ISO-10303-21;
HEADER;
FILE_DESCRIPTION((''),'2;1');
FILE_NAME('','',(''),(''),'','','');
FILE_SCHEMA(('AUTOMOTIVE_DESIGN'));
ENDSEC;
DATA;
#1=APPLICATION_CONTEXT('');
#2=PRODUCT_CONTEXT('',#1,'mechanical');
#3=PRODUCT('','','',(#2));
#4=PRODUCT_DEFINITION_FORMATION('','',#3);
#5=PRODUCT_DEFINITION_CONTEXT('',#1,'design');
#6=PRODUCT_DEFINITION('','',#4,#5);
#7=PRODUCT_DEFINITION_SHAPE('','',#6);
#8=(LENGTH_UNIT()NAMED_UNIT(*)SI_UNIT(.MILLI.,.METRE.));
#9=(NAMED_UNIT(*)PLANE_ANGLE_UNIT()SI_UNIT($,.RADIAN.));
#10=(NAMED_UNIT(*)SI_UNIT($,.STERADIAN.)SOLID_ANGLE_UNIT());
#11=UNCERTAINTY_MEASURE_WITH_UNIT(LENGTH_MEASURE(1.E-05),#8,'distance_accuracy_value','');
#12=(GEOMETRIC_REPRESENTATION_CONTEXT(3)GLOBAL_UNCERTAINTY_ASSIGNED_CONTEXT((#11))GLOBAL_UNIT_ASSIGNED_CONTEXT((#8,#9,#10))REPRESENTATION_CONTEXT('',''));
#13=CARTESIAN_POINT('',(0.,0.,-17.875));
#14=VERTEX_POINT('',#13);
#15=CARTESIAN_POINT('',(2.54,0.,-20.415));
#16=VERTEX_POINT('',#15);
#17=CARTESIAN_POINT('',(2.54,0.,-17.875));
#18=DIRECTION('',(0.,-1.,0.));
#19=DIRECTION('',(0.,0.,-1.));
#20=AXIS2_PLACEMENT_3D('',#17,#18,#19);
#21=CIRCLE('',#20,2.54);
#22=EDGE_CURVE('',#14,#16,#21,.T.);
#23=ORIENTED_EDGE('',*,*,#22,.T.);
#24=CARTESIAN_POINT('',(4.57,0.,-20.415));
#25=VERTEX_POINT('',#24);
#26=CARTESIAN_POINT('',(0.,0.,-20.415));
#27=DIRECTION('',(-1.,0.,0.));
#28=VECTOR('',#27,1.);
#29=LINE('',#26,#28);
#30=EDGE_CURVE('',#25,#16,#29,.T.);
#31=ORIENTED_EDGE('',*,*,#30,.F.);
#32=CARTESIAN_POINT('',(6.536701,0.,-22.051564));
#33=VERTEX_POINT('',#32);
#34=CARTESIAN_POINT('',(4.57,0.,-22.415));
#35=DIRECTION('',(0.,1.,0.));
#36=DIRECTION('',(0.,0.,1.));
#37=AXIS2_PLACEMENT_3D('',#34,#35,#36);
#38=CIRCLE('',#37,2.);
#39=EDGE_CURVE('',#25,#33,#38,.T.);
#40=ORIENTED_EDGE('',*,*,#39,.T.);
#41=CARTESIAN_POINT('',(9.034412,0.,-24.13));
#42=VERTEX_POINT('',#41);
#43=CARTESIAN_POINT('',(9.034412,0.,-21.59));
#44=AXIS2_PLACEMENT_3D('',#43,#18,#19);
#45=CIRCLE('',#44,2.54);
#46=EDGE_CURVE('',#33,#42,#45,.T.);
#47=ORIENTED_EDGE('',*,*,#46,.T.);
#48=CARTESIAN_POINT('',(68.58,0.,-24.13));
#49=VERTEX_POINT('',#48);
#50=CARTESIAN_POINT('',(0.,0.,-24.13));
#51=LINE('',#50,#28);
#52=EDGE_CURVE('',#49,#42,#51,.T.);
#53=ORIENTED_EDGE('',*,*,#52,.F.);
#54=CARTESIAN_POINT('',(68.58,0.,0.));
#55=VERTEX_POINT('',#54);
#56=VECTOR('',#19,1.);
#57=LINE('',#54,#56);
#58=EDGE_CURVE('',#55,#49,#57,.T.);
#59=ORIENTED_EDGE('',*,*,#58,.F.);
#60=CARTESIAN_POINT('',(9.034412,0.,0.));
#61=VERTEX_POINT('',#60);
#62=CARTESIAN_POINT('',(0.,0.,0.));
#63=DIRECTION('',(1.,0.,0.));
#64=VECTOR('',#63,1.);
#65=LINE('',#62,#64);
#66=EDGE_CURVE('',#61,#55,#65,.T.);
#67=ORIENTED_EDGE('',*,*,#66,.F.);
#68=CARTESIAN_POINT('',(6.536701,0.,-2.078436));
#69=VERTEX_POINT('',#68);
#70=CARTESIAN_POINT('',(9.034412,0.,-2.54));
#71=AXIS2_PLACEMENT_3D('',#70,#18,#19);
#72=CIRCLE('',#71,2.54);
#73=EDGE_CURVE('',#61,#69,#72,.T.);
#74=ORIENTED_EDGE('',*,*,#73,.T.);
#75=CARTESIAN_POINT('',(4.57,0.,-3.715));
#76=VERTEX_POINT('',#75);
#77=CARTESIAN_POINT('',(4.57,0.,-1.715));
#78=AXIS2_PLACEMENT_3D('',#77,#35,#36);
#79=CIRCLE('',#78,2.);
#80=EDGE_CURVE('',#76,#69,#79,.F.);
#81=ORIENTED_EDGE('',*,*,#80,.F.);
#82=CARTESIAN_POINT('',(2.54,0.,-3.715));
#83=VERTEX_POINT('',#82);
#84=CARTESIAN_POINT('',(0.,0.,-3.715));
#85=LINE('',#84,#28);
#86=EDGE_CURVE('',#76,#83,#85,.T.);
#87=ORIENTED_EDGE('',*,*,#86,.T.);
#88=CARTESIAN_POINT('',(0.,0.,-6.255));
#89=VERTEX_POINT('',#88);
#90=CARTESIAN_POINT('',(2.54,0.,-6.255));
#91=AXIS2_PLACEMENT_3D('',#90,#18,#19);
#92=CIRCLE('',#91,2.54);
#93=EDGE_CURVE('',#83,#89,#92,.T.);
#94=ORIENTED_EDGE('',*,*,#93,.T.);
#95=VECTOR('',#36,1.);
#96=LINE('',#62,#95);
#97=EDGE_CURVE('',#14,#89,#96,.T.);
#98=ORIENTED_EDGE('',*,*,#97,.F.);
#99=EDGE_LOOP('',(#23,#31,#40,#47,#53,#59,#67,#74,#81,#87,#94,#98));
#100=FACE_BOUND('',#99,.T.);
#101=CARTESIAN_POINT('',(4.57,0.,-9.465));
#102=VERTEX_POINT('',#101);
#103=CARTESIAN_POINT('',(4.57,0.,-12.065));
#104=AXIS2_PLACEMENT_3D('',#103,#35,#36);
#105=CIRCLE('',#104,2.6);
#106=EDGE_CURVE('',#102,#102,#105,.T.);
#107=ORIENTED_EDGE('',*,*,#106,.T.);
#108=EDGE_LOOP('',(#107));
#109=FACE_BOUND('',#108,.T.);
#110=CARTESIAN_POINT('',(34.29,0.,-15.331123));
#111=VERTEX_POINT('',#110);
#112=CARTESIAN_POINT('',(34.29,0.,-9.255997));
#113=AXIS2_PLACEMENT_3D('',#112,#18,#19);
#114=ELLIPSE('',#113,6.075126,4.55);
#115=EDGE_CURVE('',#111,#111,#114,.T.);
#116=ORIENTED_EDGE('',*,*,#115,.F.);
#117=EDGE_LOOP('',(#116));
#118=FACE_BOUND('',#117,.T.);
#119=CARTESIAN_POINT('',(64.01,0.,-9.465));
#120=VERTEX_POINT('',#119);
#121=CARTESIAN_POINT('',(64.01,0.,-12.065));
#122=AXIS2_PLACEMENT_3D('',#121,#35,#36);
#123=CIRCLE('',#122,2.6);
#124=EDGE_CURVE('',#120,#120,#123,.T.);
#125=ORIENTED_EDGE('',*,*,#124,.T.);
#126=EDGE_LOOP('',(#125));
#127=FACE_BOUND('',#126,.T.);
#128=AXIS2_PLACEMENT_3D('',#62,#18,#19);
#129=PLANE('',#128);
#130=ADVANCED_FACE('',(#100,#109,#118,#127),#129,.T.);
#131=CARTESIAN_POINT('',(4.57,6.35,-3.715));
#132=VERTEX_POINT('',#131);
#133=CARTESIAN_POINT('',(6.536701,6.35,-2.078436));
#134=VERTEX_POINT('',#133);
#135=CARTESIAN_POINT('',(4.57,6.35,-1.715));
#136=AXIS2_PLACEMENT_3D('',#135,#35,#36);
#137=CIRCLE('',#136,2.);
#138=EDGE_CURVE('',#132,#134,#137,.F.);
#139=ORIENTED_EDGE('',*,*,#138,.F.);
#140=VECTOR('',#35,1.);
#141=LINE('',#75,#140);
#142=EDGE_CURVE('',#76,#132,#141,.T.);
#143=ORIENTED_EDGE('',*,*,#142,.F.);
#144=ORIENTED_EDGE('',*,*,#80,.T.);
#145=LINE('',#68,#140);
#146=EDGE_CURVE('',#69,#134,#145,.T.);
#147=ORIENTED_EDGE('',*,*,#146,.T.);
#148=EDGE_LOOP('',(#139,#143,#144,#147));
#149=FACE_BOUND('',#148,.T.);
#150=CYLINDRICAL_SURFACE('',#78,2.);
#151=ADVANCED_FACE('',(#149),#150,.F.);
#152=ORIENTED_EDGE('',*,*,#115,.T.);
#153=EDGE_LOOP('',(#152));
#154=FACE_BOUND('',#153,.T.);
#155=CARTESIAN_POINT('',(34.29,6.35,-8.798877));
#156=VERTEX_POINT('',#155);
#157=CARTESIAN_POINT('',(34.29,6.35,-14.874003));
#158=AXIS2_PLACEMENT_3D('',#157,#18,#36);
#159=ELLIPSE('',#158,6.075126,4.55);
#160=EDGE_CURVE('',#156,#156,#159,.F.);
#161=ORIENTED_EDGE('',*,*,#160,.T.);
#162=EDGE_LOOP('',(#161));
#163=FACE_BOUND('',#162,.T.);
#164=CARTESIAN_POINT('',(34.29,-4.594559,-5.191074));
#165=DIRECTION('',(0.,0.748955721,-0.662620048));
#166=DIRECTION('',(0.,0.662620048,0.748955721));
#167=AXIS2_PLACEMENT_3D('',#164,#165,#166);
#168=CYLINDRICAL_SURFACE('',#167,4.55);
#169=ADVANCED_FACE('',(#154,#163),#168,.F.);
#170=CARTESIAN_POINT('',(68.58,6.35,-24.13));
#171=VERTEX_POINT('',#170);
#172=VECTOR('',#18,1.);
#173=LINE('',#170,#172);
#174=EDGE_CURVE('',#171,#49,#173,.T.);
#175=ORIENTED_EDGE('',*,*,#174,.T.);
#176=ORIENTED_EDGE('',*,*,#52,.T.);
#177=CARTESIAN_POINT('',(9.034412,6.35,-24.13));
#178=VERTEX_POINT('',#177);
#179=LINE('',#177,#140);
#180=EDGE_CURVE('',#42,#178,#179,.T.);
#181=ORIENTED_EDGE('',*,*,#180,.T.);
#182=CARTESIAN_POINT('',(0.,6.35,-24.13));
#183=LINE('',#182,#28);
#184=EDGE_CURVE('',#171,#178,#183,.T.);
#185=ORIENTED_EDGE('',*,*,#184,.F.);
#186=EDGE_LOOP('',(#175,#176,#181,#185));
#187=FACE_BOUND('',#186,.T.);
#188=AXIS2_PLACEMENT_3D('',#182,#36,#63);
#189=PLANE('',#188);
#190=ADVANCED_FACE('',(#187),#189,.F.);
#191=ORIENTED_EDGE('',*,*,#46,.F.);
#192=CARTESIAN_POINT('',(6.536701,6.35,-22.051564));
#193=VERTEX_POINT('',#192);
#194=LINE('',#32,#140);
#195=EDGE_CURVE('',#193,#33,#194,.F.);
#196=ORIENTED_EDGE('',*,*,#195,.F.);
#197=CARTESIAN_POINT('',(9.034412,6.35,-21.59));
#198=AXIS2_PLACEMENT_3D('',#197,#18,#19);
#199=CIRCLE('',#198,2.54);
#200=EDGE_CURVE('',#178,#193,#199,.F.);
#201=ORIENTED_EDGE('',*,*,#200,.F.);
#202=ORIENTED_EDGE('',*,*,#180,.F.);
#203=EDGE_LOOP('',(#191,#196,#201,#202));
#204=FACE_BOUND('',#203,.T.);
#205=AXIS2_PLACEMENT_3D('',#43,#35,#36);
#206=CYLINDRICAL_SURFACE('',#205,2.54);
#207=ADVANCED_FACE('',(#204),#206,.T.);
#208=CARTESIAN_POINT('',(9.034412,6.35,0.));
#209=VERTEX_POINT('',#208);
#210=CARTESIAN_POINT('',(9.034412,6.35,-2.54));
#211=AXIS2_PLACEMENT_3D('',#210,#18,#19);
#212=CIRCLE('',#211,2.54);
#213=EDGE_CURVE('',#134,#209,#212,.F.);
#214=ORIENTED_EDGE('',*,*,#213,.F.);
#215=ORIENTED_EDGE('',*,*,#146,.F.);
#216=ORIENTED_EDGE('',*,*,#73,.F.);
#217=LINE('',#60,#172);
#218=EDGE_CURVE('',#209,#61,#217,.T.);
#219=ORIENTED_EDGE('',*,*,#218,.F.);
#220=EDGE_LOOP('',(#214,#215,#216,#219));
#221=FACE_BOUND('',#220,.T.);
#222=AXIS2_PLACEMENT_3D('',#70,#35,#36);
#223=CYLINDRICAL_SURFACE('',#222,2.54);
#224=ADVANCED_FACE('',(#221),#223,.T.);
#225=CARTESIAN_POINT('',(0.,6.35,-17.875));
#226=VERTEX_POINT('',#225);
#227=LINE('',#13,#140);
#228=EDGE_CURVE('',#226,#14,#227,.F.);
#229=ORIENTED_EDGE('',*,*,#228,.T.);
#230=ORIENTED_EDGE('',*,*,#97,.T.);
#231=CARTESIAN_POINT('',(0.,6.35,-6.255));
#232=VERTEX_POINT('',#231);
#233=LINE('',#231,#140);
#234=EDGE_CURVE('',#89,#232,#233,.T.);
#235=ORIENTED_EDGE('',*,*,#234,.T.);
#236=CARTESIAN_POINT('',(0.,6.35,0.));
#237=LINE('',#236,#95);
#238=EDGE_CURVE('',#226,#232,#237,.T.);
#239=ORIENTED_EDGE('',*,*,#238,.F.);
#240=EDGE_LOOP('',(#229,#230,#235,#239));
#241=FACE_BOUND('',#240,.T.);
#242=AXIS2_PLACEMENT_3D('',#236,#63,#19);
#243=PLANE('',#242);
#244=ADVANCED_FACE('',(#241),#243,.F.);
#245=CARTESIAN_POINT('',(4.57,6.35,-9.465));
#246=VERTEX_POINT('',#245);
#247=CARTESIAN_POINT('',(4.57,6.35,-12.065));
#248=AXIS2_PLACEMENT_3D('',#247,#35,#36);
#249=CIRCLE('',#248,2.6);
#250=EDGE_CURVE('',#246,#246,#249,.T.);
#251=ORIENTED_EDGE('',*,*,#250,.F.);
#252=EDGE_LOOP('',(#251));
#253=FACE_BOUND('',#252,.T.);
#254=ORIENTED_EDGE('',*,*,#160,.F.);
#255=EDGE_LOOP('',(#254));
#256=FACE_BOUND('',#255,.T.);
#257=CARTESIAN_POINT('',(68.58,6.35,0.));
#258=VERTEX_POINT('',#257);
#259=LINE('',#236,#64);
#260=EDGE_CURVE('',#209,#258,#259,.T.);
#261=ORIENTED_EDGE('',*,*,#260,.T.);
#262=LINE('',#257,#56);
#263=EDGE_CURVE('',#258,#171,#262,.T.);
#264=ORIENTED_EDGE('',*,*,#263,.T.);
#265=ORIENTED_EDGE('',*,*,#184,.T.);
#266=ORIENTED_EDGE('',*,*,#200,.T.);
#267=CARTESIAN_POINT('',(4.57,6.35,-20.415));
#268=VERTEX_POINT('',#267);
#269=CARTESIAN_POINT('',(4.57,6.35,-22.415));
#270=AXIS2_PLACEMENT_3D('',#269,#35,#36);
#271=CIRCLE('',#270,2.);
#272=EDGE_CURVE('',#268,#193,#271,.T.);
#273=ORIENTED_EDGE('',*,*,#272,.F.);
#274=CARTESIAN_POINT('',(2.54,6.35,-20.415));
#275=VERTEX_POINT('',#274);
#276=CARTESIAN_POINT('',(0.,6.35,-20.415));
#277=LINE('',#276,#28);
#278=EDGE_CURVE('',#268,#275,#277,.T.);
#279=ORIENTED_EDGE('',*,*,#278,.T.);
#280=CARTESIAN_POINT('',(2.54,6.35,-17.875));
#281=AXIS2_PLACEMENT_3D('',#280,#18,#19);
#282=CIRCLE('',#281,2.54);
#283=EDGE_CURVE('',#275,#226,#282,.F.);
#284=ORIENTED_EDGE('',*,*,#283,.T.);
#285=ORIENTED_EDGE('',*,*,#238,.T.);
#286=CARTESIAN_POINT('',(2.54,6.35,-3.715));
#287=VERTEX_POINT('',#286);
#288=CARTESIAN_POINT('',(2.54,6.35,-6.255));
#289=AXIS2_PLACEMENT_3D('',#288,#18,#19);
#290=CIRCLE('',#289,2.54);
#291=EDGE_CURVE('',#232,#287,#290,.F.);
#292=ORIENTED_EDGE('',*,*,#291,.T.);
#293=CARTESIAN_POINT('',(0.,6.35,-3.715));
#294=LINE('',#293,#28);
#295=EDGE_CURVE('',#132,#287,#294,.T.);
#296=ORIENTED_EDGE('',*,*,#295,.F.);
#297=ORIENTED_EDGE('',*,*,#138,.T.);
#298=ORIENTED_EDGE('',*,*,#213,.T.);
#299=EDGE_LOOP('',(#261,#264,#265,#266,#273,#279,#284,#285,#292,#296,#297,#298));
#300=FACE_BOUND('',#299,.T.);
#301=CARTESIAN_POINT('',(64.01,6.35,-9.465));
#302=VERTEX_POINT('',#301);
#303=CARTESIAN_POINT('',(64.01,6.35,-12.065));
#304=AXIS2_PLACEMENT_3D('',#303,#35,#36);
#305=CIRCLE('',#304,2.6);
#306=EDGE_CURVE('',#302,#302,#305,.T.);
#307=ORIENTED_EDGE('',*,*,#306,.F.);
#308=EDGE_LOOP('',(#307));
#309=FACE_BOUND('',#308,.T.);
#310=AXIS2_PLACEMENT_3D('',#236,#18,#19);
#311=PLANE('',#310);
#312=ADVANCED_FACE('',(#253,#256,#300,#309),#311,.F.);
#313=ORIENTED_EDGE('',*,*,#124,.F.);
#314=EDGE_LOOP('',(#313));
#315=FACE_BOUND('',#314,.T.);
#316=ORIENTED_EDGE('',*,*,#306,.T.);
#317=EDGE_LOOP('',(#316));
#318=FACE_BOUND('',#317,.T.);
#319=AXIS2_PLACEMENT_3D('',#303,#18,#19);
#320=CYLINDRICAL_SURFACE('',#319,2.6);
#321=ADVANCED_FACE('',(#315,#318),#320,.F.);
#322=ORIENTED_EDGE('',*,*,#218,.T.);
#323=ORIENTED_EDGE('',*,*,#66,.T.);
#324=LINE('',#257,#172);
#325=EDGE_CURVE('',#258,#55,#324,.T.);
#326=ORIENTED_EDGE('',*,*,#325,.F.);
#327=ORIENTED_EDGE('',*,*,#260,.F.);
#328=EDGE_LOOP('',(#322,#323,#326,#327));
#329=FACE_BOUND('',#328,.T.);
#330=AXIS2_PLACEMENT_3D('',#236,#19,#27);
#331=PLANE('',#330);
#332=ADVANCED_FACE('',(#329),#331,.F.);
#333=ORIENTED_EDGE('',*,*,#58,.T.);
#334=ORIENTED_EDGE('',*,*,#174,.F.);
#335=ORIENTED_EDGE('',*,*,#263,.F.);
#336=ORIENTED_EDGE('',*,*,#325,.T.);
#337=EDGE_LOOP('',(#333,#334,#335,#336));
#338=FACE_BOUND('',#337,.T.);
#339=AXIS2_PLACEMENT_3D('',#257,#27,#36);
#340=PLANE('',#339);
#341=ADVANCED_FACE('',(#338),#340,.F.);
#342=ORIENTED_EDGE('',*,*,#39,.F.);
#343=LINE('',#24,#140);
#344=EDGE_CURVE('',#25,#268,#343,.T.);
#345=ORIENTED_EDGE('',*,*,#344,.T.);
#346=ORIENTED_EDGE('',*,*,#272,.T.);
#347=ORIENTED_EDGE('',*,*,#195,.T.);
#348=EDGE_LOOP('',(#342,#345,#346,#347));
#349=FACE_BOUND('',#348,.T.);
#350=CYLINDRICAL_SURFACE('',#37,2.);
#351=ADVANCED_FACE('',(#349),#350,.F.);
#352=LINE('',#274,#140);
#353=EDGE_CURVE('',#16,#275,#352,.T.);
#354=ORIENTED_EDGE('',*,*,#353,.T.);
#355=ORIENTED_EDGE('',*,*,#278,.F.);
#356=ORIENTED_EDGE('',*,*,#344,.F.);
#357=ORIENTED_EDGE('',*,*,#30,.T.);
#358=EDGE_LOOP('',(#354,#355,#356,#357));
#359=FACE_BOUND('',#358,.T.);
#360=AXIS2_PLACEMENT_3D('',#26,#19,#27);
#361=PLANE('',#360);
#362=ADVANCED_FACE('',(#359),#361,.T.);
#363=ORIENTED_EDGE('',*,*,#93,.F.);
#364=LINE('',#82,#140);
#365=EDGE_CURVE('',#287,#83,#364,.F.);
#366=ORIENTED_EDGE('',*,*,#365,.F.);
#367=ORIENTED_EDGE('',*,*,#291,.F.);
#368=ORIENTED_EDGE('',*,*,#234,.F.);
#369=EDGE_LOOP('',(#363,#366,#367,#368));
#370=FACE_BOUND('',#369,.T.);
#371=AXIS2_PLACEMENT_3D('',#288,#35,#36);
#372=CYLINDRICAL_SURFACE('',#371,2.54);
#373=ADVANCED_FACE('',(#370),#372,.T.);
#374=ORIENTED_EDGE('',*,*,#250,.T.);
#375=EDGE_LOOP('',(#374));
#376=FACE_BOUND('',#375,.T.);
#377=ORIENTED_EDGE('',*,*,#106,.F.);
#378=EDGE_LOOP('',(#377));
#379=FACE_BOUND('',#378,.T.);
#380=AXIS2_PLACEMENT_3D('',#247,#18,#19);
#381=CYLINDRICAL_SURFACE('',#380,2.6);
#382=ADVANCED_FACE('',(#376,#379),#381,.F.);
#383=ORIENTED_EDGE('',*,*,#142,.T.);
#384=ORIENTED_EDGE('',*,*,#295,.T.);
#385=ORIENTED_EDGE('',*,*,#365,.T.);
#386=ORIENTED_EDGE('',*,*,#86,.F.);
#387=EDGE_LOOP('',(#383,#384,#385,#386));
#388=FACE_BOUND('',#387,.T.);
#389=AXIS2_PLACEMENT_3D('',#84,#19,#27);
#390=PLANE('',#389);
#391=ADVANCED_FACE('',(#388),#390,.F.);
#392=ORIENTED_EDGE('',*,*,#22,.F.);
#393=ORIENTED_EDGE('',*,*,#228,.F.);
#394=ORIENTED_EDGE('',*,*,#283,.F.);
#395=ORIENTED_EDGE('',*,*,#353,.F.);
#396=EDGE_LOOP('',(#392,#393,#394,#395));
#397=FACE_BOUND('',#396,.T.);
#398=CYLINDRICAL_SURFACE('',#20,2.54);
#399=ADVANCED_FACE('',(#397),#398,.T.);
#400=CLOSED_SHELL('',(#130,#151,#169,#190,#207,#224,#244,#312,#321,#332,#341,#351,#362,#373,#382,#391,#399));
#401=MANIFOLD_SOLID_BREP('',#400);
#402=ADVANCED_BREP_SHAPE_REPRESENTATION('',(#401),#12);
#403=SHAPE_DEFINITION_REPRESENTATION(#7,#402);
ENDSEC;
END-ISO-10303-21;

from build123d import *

# Parameters (mm, degrees)
SKETCH2_W                      = 68.58
SKETCH2_H                      = 24.13
SKETCH2_R                      = 2.6
BOSS_EXTRUDE1_DEPTH            = 6.35
CUT_EXTRUDE1_DEPTH             = 7.35
FILLET3_R                      = 2.54
CUT_EXTRUDE2_REACH             = 12.372
SKETCH7_R                      = 4.55
CUT_EXTRUDE2_DIRECTION_2_REACH = 12.372


with BuildPart() as part:
    # Sketch2 → Boss-Extrude1 (new body)
    with BuildSketch(Plane(origin=(0, 0, 0), x_dir=(1, 0, 0), z_dir=(0, 1, 0))):
        with Locations((34.29, 12.065)):
            Rectangle(SKETCH2_W, SKETCH2_H)
        with Locations((4.57, 12.065)):
            Circle(SKETCH2_R, mode=Mode.SUBTRACT)
        with Locations((64.01, 12.065)):
            Circle(SKETCH2_R, mode=Mode.SUBTRACT)
    extrude(amount=BOSS_EXTRUDE1_DEPTH)

    # Sketch3 → Cut-Extrude1 (cut, through all)
    with BuildSketch(Plane(origin=(0, 6.35, 0), x_dir=(1, 0, 0), z_dir=(0, 1, 0))):
        with BuildLine():
            Line((4.57, 3.715), (0, 3.715))
            Line((0, 3.715), (0, 0))
            Line((0, 0), (6.57, 0))
            Line((6.57, 0), (6.57, 1.715))
            ThreePointArc((6.57, 1.715), (5.984213562, 3.129213562), (4.57, 3.715))
        make_face()
        with BuildLine():
            ThreePointArc((4.57, 20.415), (5.984213562, 21.000786438), (6.57, 22.415))
            Line((6.57, 22.415), (6.57, 24.13))
            Line((6.57, 24.13), (0, 24.13))
            Line((0, 24.13), (0, 20.415))
            Line((0, 20.415), (4.57, 20.415))
        make_face()
    extrude(amount=-CUT_EXTRUDE1_DEPTH, mode=Mode.SUBTRACT)

    # Fillet3
    fillet3_edges = [part.edges().sort_by_distance(p)[0] for p in [
        (6.57, 3.175, 0),
        (0, 3.175, -3.715),
        (0, 3.175, -20.415),
        (6.57, 3.175, -24.13),
    ]]
    fillet(fillet3_edges, radius=FILLET3_R)

    # Sketch7 → Cut-Extrude2 (cut, up to next)
    with BuildSketch(Plane(origin=(0, 7.768502242, -6.872990202), x_dir=(-1, 0, 0), z_dir=(0, -0.748955721, 0.662620048)), mode=Mode.PRIVATE) as cut_extrude2_sk1:
        with Locations((-34.29, 6.932332118)):
            Circle(SKETCH7_R)
    cut_extrude2_tool1 = extrude(cut_extrude2_sk1.sketch, amount=-CUT_EXTRUDE2_REACH, mode=Mode.PRIVATE) & part.part
    add(cut_extrude2_tool1.solids().sort_by_distance((34.29, 3.175, -12.065))[0], mode=Mode.SUBTRACT)

    # Sketch7 → Cut-Extrude2 direction 2 (cut, up to next)
    with BuildSketch(Plane(origin=(0, 7.768502242, -6.872990202), x_dir=(-1, 0, 0), z_dir=(0, -0.748955721, 0.662620048)), mode=Mode.PRIVATE) as cut_extrude2_direction_2_sk1:
        with Locations((-34.29, 6.932332118)):
            Circle(SKETCH7_R)
    cut_extrude2_direction_2_tool1 = extrude(cut_extrude2_direction_2_sk1.sketch, amount=CUT_EXTRUDE2_DIRECTION_2_REACH, mode=Mode.PRIVATE) & part.part
    add(cut_extrude2_direction_2_tool1.solids().sort_by_distance((34.29, 3.175, -12.065))[0], mode=Mode.SUBTRACT)


solid = part.part
